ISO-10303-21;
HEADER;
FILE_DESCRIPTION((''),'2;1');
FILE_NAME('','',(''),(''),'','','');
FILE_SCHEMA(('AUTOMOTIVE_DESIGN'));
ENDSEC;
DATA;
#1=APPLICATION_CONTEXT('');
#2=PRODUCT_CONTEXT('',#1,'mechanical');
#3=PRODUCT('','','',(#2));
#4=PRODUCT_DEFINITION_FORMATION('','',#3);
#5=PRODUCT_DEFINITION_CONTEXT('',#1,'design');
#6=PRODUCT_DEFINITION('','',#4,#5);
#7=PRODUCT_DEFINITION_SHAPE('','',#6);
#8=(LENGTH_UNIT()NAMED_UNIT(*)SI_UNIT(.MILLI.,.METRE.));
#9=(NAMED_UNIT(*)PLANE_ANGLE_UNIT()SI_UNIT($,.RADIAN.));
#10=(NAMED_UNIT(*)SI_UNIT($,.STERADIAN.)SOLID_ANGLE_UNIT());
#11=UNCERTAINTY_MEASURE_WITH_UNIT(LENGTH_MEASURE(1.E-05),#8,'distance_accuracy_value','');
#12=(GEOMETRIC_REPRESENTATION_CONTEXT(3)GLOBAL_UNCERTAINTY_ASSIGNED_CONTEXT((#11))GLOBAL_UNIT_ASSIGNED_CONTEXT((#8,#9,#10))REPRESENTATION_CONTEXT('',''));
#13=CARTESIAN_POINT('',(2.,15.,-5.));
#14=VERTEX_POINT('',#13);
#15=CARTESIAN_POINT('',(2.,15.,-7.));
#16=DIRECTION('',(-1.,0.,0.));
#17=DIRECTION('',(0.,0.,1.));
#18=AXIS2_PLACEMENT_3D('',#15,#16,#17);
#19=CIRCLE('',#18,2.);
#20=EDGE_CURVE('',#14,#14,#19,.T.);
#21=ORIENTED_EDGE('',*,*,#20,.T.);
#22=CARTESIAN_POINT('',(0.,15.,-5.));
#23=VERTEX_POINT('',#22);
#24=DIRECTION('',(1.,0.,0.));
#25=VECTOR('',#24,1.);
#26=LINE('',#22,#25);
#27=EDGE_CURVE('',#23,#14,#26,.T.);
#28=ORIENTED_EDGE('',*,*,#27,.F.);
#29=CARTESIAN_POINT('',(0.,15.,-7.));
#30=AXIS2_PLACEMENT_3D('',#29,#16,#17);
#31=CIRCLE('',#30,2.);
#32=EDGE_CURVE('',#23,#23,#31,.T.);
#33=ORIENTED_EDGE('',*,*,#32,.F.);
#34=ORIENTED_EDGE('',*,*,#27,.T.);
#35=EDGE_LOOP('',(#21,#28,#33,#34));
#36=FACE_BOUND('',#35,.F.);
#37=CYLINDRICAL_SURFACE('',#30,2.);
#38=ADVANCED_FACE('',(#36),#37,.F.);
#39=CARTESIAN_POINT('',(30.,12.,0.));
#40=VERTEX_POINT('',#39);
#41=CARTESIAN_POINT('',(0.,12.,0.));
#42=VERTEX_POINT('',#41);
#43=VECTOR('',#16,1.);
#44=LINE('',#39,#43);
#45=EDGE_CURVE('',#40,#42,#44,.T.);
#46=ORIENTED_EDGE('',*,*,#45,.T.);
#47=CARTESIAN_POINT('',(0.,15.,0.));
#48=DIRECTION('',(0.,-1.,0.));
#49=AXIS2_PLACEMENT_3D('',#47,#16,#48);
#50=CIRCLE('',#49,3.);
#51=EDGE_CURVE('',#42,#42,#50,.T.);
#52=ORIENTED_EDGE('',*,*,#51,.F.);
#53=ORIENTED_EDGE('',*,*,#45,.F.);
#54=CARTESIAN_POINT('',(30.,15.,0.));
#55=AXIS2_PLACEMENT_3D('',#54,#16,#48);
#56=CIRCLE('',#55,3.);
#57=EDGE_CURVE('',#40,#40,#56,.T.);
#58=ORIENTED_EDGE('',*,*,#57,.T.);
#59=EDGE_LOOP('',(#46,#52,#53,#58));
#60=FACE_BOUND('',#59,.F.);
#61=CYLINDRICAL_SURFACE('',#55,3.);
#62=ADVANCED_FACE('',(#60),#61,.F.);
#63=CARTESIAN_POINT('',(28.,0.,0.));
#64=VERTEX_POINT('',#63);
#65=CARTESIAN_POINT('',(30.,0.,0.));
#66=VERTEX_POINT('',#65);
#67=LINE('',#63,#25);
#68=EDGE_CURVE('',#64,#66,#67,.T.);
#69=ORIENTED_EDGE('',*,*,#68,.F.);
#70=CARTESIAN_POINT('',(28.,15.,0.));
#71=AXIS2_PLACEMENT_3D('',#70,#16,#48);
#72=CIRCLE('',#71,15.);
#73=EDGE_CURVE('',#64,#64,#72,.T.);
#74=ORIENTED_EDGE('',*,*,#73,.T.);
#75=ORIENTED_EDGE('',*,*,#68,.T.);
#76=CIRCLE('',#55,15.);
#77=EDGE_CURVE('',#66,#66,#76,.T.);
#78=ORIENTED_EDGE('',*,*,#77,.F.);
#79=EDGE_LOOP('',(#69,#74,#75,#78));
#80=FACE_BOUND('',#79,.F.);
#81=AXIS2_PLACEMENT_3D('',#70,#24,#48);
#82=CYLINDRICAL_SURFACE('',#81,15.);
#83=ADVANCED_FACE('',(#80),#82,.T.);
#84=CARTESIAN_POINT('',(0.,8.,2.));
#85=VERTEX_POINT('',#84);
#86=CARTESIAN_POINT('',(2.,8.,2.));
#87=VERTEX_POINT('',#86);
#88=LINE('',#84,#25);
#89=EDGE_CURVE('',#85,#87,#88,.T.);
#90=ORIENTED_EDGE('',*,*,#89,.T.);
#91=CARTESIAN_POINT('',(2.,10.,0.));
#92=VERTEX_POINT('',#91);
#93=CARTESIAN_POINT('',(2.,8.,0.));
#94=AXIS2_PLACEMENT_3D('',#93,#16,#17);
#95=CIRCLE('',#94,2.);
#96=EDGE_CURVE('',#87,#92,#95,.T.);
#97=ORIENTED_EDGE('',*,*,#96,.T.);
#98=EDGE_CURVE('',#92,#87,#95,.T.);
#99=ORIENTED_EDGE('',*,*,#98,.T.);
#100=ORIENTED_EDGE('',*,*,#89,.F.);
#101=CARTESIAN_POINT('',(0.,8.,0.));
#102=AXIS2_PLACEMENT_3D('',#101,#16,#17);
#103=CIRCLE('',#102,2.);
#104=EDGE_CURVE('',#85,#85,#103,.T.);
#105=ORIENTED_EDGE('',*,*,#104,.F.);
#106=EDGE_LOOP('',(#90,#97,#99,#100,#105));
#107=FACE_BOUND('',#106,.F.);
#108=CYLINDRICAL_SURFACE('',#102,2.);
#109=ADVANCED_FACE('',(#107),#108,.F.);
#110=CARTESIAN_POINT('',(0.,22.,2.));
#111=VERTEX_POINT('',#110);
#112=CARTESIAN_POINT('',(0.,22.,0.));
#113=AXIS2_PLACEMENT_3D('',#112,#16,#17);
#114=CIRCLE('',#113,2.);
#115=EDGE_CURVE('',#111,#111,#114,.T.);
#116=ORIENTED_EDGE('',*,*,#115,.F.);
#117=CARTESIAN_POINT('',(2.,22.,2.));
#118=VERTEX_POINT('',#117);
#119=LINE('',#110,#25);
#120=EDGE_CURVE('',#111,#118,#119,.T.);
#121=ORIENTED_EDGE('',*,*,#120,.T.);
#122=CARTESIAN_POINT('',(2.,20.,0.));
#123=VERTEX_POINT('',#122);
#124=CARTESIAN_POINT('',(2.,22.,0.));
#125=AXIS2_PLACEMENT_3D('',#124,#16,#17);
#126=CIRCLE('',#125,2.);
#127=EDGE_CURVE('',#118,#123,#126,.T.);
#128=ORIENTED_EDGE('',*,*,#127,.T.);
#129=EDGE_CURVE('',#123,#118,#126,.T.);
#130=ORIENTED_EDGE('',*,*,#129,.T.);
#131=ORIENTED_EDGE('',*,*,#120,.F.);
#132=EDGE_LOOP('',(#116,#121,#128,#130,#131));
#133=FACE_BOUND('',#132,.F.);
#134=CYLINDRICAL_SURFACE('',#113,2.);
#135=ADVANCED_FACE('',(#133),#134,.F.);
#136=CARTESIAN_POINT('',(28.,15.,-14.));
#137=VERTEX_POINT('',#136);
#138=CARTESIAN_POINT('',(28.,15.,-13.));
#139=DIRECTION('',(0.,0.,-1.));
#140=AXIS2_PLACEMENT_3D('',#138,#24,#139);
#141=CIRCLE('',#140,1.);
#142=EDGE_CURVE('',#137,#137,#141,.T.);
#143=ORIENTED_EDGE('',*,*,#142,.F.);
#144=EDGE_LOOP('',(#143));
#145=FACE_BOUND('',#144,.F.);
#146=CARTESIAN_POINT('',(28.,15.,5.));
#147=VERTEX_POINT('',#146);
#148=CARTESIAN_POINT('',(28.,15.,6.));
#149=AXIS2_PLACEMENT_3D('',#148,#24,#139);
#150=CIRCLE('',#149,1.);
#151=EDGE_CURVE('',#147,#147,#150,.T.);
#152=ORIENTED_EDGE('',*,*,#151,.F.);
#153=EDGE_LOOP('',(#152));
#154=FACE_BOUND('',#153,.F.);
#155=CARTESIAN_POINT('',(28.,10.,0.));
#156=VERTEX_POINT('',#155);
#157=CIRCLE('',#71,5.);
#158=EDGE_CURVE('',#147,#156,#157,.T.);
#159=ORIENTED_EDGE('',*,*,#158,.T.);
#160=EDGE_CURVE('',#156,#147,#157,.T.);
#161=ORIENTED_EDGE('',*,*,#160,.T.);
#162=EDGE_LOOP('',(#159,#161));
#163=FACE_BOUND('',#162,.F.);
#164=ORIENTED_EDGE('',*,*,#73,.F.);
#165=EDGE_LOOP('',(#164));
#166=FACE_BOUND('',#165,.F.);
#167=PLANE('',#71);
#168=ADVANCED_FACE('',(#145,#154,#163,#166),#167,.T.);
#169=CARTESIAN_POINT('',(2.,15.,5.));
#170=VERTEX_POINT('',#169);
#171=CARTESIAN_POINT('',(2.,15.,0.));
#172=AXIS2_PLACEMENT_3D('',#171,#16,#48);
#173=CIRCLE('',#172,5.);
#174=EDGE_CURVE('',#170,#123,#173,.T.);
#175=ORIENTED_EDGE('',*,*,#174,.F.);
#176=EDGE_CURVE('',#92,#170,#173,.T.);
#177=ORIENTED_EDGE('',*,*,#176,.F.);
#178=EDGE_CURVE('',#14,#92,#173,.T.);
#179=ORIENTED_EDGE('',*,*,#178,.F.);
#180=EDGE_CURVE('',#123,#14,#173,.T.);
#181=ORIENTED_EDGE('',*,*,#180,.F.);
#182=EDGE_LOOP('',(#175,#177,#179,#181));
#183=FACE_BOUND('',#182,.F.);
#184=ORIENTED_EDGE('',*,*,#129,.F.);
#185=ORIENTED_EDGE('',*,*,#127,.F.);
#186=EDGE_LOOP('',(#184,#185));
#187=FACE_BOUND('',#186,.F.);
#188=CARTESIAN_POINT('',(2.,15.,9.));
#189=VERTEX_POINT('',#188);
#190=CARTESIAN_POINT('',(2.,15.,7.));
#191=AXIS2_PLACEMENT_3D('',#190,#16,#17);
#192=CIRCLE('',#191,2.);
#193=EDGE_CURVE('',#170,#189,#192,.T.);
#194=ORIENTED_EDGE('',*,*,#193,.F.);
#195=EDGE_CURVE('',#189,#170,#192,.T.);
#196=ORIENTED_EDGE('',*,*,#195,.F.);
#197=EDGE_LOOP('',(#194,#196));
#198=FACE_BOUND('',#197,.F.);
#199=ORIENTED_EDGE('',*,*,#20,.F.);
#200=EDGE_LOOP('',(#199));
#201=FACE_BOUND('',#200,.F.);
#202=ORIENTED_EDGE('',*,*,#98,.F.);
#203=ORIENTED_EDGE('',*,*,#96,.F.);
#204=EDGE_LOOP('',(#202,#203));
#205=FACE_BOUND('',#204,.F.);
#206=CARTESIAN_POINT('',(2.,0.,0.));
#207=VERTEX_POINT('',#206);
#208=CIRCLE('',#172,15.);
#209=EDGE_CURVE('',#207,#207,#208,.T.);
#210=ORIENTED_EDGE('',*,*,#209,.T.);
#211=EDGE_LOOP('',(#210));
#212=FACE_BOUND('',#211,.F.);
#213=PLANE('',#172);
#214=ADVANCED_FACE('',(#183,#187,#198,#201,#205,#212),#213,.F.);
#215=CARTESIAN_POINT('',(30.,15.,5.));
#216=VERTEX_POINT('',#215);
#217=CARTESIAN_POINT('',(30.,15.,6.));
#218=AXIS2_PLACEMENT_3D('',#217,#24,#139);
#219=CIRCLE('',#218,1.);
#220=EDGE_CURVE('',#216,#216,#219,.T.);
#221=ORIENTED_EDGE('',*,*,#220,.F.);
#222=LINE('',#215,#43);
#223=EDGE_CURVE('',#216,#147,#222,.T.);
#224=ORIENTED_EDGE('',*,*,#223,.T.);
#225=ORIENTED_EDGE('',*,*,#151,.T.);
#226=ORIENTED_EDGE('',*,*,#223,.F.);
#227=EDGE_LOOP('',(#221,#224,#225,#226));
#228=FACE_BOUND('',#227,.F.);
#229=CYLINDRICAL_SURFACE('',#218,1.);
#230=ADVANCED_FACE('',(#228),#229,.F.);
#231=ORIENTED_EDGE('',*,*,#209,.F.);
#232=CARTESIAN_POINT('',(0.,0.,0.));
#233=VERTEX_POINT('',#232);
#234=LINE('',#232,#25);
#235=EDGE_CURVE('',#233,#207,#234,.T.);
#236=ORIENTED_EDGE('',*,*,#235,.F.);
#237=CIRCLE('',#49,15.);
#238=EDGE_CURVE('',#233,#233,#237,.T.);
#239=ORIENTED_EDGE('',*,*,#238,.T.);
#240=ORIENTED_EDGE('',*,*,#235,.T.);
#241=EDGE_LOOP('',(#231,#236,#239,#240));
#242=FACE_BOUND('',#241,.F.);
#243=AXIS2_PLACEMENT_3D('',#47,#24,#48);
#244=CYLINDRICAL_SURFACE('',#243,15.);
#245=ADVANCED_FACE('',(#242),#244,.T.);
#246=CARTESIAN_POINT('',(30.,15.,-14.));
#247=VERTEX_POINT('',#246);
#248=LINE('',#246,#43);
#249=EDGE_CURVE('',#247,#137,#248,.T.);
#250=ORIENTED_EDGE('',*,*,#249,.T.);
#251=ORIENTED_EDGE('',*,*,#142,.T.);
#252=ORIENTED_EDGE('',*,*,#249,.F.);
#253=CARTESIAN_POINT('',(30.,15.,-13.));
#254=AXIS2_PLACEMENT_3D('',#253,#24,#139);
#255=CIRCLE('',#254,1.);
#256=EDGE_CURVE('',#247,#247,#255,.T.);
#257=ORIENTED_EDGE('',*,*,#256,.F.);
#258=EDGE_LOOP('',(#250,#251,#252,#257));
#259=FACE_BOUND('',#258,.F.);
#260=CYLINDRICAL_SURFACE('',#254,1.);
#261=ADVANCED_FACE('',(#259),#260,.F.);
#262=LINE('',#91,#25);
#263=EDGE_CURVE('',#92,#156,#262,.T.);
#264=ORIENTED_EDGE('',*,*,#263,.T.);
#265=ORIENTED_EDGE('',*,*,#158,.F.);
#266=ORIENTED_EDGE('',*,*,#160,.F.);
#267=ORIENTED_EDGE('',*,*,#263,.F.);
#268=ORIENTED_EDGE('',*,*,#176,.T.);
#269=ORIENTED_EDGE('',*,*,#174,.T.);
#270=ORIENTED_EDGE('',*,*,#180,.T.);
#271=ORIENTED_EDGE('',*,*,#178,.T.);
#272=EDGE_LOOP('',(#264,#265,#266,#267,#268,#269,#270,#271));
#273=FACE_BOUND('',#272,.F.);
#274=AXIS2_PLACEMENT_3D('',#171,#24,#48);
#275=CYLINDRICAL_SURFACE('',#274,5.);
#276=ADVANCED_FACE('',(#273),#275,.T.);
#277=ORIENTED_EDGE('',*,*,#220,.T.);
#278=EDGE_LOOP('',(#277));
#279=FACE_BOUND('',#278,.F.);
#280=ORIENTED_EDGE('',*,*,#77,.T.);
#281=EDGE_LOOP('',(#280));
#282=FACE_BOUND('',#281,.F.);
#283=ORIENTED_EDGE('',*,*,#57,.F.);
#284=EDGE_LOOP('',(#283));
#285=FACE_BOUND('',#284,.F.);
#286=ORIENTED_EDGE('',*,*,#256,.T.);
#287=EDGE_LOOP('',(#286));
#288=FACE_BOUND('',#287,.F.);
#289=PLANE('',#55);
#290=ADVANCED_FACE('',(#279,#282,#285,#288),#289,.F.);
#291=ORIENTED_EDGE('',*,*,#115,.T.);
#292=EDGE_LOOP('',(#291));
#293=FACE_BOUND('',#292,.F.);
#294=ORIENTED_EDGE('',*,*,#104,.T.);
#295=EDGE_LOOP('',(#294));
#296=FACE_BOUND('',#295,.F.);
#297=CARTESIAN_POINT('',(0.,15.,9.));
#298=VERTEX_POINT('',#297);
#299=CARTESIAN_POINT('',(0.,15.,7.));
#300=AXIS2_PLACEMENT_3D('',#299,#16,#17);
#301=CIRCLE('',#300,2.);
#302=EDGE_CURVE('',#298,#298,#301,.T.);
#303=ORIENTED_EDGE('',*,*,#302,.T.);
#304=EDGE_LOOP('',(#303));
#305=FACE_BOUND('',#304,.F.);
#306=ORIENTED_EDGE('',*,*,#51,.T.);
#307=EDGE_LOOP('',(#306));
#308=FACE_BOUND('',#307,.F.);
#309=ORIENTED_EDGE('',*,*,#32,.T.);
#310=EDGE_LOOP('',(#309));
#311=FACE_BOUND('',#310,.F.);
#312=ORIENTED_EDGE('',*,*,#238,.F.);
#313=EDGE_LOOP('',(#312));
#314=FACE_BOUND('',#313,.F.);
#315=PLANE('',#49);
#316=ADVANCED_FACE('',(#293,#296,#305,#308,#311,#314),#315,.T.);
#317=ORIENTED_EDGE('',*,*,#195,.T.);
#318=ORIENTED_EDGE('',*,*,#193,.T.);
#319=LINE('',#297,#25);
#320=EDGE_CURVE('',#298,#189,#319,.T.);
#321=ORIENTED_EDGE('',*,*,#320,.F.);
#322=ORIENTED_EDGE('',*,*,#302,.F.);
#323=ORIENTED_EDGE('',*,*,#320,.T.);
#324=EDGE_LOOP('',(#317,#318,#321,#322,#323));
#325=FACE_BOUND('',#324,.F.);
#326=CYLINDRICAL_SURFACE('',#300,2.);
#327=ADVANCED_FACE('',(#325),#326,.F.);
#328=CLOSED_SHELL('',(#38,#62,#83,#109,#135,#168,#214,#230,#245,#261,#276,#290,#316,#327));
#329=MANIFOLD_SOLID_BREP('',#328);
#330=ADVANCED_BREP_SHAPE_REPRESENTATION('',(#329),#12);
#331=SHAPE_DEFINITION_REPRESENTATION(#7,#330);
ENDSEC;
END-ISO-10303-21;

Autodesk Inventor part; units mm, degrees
ref_plane "YZ Plane" through (0, 0, 0) normal (1, 0, 0) x (0, 1, 0)
ref_plane "XZ Plane" through (0, 0, 0) normal (0, 1, 0) x (-1, 0, 0)
ref_plane "XY Plane" through (0, 0, 0) normal (0, 0, 1) x (1, 0, 0)
sketch "Sketch1" plane through (0, 0, 0) normal (0, 0, 1) x (1, 0, 0)
  line L0 (0, 0) -> (2, 0)
  line L1 (2, 0) -> (2, 10)
  line L2 (2, 10) -> (28, 10)
  line L3 (28, 10) -> (28, 0)
  line L4 (28, 0) -> (30, 0)
  line L5 (30, 0) -> (30, 12)
  line L6 (30, 12) -> (0, 12)
  line L7 (0, 12) -> (0, 0)
  line L8 (30, 15) -> (0, 15)
  dimension "d0" = 2
  dimension "d1" = 10
  dimension "d2" = 26
  dimension "d3" = 2
  dimension "d4" = 12
  dimension "d5" = 3
  dimension "d6" = 30
  dimension "d30" = 2
revolve "Revolution1" add sketch "Sketch1" angle 360 about axis through (30, 15, 0) along (-1, 0, 0)
sketch "Sketch2" plane through (0, 15, 0) normal (-1, 0, 0) x (0, 0, 1)
  circle A0 centre (7, 0) radius 2
  circle A1 centre (-7, 0) radius 2
  circle A2 centre (0, 7) radius 2
  circle A3 centre (0, -7) radius 2
  point P0 (0, -15)
  point P1 (0, 0)
  dimension "d8" = 4
  dimension "d10" = 4
  dimension "d13" = 4
  dimension "d14" = 4
  dimension "d17" = 7
  dimension "d18" = 7
  dimension "d19" = 7
  dimension "d20" = 7
extrude "Extrusion1" cut sketch "Sketch2" against normal blind 2
sketch "Sketch4" plane through (30, 15, 0) normal (1, 0, 0) x (0, 0, -1)
  circle A0 centre (13, 0) radius 1
  circle A1 centre (-6, 0) radius 1
  point P0 (0, -15)
  point P1 (0, 0)
  dimension "d23" = 2
  dimension "d24" = 2
  dimension "d25" = 6
  dimension "d26" = 13
extrude "Extrusion2" cut sketch "Sketch4" against normal blind 2
properties part number "Spool1"
